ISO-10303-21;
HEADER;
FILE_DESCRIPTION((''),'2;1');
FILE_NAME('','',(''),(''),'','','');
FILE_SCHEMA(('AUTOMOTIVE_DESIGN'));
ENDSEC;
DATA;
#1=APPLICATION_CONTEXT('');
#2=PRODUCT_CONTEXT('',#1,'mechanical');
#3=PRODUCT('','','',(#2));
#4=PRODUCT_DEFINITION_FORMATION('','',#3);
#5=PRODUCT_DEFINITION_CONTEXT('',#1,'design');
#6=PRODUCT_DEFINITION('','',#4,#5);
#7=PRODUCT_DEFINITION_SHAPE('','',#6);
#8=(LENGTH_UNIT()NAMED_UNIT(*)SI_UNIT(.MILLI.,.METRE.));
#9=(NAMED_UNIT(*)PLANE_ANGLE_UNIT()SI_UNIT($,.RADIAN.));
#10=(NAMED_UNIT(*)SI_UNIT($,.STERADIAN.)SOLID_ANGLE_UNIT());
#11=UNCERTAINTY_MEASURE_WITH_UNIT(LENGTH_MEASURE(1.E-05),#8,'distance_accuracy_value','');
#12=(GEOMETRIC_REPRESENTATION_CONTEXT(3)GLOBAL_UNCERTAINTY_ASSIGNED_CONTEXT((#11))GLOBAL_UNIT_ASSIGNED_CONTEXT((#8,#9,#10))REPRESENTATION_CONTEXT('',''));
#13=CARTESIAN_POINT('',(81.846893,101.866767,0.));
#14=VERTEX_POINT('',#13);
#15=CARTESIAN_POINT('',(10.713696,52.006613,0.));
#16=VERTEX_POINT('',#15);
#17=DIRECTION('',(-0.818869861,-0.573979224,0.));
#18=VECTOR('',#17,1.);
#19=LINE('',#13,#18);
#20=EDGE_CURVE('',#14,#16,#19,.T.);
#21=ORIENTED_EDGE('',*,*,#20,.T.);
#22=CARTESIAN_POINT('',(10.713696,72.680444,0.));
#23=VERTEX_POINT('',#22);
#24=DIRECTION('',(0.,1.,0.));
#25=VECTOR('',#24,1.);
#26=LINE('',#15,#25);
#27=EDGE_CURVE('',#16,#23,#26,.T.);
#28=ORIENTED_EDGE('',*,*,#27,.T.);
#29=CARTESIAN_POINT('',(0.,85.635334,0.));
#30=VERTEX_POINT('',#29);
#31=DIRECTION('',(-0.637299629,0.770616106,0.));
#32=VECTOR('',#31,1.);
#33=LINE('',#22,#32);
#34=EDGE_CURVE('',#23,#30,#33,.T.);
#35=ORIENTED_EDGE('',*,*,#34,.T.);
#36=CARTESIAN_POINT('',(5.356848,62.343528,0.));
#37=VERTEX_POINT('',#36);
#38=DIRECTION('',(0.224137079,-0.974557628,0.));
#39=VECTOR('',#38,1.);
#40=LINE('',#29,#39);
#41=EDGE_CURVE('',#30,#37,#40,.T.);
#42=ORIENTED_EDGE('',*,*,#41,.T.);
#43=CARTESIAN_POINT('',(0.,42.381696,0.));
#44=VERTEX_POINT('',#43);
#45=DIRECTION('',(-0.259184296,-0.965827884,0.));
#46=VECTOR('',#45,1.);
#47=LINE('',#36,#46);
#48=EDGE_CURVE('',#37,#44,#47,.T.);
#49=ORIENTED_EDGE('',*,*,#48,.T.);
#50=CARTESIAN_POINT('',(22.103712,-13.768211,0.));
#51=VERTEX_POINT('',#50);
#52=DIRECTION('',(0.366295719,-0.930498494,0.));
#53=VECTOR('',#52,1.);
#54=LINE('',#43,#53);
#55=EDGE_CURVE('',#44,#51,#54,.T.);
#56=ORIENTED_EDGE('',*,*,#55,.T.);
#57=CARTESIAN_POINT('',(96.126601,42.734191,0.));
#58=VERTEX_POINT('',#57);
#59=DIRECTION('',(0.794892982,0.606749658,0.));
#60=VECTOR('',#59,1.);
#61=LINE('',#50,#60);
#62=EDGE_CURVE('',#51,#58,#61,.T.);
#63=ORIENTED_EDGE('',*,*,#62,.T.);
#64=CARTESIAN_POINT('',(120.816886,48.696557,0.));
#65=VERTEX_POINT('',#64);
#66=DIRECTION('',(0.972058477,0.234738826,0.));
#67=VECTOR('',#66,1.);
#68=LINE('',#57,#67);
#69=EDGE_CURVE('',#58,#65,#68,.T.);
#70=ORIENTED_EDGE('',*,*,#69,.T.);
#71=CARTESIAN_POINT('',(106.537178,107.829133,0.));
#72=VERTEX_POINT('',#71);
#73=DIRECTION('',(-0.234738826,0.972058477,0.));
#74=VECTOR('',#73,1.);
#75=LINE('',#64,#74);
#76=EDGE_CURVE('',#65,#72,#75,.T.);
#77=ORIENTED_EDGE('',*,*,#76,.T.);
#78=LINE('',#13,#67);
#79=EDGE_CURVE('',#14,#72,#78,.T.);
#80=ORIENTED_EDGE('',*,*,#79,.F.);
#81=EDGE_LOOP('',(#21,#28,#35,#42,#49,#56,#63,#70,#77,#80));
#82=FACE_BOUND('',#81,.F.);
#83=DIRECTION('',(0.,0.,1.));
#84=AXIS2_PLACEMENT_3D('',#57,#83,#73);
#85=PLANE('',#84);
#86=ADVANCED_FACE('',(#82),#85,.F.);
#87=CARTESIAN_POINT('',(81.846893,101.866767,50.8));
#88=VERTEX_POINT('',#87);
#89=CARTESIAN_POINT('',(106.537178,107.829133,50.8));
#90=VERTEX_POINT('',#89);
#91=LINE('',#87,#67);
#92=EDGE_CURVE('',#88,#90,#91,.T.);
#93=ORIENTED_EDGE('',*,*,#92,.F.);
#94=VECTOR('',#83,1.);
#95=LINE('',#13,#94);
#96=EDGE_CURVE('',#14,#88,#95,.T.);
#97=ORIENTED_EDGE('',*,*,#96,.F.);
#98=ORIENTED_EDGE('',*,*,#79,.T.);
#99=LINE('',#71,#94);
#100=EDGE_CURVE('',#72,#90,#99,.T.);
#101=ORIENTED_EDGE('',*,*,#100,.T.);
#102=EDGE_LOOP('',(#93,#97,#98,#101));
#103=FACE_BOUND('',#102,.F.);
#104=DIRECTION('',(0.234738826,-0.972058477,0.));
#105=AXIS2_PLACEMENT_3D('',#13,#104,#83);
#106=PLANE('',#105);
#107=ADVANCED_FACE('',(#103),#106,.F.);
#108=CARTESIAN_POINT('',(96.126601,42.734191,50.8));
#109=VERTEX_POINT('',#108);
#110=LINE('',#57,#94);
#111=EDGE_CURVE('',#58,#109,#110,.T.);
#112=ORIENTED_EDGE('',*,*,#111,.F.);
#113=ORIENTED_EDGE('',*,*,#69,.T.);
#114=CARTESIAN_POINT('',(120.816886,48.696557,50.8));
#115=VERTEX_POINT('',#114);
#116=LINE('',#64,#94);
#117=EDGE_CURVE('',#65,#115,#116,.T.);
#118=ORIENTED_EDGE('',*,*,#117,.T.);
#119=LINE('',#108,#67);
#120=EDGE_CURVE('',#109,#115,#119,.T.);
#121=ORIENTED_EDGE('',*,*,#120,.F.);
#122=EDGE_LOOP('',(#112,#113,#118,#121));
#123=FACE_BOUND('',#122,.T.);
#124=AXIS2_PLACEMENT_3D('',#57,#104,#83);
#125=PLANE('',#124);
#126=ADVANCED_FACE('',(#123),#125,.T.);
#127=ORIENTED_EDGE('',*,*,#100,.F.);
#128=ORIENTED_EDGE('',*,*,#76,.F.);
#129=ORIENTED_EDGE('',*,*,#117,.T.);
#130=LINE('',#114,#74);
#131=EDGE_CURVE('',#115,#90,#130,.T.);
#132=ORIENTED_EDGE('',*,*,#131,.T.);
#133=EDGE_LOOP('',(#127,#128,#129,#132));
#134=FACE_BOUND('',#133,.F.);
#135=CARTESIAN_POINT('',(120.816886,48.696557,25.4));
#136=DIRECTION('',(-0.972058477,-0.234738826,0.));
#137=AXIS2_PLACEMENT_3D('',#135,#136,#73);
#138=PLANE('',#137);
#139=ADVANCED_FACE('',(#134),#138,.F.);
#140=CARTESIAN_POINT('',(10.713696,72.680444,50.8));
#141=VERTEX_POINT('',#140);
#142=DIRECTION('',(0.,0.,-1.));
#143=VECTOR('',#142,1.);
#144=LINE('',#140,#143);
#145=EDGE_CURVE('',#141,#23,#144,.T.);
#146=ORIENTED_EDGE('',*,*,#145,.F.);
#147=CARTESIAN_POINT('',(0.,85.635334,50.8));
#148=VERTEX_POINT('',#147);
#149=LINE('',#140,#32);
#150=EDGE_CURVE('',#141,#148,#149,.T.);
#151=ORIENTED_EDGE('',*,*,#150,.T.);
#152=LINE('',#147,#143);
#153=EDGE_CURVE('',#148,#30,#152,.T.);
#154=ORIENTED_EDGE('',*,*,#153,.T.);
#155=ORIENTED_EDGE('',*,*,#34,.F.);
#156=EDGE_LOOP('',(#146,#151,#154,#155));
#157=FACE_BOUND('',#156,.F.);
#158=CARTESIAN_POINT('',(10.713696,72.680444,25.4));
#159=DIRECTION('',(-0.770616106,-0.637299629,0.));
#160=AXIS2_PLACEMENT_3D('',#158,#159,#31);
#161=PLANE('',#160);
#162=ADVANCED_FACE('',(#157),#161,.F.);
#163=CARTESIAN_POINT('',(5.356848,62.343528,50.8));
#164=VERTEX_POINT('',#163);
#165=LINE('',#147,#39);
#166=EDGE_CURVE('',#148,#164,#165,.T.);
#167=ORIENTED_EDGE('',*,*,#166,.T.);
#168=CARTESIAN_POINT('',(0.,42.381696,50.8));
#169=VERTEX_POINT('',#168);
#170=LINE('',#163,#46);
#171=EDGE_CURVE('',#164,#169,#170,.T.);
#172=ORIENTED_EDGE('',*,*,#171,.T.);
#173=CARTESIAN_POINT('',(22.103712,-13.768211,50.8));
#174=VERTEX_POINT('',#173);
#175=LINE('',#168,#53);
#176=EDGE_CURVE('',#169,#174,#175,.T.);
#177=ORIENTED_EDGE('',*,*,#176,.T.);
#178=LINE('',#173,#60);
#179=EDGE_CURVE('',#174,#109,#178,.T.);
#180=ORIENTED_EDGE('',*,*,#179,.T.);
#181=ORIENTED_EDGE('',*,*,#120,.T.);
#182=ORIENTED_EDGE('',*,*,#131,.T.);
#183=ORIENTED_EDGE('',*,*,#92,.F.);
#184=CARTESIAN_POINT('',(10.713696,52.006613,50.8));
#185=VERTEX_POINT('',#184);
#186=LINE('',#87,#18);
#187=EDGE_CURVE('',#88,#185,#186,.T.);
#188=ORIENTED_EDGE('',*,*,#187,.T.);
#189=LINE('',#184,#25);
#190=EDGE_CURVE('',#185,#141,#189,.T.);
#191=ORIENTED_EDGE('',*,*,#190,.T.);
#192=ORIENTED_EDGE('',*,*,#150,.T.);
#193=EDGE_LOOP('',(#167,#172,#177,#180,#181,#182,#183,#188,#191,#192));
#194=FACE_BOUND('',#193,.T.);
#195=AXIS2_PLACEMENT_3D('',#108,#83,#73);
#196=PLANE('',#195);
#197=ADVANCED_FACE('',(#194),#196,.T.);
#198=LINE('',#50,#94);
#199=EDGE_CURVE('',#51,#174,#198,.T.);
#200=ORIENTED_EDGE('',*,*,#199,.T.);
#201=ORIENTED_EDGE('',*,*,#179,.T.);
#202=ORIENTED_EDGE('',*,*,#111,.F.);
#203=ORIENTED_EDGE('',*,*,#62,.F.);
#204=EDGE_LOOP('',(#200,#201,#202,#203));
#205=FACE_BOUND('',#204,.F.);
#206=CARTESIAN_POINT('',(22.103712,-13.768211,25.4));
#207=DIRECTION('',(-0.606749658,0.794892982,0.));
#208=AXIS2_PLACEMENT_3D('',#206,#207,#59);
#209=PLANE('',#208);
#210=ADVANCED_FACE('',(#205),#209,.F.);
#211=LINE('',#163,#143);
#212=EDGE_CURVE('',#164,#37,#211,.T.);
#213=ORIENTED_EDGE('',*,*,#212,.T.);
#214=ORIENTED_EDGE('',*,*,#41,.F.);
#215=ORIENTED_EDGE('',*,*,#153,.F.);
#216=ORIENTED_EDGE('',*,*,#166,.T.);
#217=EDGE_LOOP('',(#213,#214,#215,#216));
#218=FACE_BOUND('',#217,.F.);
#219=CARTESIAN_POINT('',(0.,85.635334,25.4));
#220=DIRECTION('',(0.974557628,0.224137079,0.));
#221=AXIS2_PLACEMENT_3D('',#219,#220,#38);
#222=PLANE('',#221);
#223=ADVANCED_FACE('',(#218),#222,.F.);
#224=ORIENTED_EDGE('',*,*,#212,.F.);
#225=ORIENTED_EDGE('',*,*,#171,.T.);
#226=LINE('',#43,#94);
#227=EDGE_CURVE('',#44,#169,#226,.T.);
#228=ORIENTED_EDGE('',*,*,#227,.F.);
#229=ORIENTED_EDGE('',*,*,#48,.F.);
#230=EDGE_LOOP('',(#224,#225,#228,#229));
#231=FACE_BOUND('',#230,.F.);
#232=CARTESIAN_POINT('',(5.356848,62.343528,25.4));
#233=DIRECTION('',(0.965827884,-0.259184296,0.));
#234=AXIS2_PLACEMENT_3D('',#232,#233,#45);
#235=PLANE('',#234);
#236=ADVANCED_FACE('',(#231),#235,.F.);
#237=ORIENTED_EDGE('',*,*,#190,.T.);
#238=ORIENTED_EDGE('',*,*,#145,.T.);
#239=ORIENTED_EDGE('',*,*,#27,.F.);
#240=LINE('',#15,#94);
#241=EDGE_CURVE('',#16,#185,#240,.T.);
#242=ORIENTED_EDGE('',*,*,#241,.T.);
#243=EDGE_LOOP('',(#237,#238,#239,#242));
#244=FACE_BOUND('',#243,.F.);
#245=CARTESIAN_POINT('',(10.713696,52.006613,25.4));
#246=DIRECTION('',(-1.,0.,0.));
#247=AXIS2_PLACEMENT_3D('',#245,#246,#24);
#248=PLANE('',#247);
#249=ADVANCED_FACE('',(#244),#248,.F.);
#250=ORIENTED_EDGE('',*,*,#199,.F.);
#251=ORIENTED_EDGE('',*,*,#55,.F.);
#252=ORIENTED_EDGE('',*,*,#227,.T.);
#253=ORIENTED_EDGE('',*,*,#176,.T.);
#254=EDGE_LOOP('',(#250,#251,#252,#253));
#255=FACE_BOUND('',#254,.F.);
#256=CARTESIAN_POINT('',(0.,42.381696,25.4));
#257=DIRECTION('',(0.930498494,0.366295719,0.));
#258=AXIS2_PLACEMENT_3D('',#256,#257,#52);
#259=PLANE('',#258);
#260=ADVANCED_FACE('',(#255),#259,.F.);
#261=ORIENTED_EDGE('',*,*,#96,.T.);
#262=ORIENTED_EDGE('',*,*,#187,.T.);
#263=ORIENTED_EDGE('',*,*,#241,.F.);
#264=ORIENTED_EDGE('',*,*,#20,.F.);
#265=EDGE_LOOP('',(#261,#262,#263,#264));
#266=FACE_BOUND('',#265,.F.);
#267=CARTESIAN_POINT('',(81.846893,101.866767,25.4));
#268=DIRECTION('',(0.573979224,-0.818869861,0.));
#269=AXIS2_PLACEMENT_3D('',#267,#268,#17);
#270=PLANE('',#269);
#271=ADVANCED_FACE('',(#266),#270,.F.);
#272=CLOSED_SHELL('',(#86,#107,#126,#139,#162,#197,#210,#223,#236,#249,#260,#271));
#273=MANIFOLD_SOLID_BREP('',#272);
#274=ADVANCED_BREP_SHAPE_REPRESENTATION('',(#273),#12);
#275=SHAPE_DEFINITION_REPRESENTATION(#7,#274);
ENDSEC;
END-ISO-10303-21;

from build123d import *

# Parameters (mm, degrees)
F1_DEPTH = 25.4
F2_DEPTH = 25.4
F3_DEPTH = 25.4


with BuildPart() as f1:
    # F0 (on Top) → F1 (new body)
    with BuildSketch(Plane.XY):
        Polygon((5.3568482399, 62.3435284942), (0, 42.381696403), (22.1037119627, -13.7682110071), (96.1266011, 42.7341908216), (81.8468928337, 101.8667668104), (10.7136964798, 52.0066134632), (10.7136964798, 72.6804435253), (0, 85.6353342533), align=None)
    extrude(amount=F1_DEPTH)

    # F2 (add): a face of the model
    f2_faces = [f1.faces().sort_by_distance(p)[0] for p in [
        (47.6996824871, 44.5902490016, 25.4),
    ]]
    extrude(f2_faces, amount=F2_DEPTH)

    # F3 (add): a face of the model
    f3_faces = [f1.faces().sort_by_distance(p)[0] for p in [
        (88.9867469668, 72.300478816, 25.4),
    ]]
    extrude(f3_faces, amount=F3_DEPTH)


solid = f1.part
